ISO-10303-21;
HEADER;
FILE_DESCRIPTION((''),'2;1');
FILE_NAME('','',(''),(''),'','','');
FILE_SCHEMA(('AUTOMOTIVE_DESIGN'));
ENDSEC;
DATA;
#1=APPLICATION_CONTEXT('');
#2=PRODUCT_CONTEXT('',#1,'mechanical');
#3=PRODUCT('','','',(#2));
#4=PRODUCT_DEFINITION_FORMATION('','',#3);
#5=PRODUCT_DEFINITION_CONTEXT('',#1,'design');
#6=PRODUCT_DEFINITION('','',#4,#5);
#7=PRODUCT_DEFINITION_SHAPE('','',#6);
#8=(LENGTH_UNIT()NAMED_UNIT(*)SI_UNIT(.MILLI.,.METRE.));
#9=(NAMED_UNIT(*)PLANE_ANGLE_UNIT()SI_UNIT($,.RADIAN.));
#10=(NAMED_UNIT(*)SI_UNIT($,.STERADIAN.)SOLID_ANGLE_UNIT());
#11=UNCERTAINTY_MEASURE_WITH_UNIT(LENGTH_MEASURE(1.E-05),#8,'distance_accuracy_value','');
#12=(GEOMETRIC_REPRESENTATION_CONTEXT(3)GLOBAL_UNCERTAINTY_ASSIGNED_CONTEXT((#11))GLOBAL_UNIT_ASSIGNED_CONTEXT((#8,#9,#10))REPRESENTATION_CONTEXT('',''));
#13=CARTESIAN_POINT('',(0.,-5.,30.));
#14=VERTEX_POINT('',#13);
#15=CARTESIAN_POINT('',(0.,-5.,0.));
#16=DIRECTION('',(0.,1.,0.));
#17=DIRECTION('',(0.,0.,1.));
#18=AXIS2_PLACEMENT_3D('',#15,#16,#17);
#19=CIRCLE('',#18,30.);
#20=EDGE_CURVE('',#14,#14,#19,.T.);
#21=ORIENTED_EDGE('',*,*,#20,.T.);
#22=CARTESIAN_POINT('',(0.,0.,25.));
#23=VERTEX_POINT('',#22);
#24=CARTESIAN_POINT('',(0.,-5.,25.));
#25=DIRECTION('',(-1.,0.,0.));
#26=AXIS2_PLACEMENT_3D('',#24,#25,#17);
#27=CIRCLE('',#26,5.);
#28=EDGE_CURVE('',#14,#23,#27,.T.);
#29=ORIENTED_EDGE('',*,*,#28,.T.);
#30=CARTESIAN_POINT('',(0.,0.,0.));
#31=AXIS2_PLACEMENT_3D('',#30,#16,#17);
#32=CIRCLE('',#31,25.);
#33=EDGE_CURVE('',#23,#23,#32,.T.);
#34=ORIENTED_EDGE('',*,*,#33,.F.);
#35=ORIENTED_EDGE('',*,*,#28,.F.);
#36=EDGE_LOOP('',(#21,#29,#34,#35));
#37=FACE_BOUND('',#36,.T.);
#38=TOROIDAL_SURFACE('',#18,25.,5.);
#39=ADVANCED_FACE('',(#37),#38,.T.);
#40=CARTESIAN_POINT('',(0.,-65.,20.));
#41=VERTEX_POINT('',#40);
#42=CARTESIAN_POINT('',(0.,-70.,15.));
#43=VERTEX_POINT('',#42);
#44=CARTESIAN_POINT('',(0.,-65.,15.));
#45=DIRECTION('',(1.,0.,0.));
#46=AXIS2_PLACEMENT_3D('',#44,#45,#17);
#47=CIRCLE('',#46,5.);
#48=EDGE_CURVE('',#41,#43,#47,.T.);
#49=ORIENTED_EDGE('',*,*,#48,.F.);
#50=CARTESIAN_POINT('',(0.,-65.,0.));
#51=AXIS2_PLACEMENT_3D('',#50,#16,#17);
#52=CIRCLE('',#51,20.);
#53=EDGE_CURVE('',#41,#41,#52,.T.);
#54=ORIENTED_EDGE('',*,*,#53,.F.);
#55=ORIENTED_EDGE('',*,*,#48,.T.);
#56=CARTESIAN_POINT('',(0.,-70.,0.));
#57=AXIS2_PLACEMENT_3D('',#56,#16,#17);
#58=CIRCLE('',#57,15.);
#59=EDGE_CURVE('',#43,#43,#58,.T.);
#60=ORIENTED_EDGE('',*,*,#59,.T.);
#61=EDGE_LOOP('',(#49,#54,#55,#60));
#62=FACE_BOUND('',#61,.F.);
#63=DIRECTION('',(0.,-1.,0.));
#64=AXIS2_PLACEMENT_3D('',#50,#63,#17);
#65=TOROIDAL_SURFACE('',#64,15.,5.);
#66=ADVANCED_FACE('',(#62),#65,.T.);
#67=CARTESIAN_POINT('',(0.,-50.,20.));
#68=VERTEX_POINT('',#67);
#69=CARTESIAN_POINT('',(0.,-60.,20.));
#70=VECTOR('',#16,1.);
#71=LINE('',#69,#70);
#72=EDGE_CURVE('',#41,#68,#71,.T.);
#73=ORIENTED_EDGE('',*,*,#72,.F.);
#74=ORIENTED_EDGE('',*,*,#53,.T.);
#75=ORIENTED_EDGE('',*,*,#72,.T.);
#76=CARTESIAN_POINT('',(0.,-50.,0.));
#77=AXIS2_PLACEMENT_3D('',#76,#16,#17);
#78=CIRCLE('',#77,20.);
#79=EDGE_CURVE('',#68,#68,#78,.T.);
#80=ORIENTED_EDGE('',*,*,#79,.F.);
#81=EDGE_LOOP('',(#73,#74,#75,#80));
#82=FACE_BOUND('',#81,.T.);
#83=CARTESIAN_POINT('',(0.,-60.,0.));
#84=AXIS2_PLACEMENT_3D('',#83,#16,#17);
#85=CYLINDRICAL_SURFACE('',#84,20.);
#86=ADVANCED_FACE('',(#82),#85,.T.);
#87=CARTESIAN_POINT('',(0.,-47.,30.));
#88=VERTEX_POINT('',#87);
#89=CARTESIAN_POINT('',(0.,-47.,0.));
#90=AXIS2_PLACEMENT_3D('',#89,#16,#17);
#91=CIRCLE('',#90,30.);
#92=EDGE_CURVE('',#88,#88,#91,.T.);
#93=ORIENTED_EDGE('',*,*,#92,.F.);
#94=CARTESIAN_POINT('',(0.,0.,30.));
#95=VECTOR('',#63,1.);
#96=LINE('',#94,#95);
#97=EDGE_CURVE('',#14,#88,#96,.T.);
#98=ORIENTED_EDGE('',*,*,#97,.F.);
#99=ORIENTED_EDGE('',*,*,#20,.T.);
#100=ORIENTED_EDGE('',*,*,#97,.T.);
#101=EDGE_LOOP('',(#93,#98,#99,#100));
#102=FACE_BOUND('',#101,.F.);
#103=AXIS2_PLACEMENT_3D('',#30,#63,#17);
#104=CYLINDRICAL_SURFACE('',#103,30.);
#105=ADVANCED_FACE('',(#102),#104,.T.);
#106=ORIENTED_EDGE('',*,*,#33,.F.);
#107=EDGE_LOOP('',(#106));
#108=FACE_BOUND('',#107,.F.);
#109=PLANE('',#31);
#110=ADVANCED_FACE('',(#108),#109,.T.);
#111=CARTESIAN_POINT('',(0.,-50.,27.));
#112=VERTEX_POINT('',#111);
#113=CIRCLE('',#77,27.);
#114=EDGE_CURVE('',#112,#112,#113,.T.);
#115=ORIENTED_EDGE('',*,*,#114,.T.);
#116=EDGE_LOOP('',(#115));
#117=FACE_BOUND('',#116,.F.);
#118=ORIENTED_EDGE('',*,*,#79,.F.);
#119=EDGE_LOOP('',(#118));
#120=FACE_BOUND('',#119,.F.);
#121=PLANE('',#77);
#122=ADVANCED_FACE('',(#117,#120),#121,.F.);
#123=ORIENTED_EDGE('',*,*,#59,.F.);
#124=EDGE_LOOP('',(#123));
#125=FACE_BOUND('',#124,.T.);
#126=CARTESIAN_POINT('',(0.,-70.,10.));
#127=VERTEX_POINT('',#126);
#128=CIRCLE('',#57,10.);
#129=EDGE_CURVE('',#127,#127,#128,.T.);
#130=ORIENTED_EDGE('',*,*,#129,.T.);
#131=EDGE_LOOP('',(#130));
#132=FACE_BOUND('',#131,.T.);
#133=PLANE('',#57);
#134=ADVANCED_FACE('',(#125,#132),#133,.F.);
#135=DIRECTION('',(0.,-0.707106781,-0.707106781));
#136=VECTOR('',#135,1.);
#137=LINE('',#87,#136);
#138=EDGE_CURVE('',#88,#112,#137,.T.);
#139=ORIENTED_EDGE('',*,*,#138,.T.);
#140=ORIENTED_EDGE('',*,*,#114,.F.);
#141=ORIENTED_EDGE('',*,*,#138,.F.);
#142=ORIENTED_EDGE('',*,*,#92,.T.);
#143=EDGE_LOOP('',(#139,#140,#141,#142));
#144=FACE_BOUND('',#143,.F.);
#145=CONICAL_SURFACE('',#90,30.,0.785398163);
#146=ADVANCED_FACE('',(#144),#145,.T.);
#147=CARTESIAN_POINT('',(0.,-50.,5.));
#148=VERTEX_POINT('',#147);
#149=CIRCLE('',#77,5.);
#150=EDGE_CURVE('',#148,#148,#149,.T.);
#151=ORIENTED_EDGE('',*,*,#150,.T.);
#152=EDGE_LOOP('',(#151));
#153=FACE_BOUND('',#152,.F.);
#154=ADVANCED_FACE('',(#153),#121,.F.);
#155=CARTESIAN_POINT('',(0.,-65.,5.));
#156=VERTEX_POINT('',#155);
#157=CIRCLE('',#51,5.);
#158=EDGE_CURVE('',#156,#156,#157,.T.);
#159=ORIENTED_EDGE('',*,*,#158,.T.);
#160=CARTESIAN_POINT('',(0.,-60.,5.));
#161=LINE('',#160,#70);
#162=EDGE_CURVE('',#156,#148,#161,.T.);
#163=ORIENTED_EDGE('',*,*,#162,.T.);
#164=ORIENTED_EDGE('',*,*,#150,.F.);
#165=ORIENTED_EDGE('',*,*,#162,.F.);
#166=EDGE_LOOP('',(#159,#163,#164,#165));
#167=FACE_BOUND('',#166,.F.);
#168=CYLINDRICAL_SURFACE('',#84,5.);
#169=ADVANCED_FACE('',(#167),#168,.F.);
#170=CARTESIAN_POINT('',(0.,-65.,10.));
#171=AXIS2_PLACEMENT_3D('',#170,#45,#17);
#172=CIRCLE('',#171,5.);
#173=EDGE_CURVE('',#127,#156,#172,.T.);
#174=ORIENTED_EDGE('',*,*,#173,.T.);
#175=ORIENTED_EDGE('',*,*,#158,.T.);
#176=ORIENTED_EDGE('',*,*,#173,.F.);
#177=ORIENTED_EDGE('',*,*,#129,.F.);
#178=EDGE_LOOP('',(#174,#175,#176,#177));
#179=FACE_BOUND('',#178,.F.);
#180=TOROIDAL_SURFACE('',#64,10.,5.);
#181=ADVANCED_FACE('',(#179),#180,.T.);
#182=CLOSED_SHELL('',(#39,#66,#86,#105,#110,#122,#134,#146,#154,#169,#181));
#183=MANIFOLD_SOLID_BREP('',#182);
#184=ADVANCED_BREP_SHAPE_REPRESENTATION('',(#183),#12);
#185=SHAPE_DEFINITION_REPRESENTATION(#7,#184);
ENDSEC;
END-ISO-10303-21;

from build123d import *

# Parameters (mm, degrees)
F0_W    = 20
F0_H    = 15
F0_W_2  = 42.9629645813
F2_SIZE = 3
F3_R    = 5


with BuildPart() as f1:
    # F0 (on Right) → F1 (revolve)
    with BuildSketch(Plane.YZ):
        with Locations((-60, 12.5)):
            Rectangle(F0_W, F0_H)
        Polygon((0, 30), (-50, 30), (-50, 20), (-7.0370354187, 20), (-7.0370354187, 5), (-50, 5), (-50, 0), (0, 0), align=None)
        with Locations((-28.5185177093, 12.5)):
            Rectangle(F0_W_2, F0_H)
    revolve(axis=Axis((0, -25, 0), (0, 1, 0)))

    # F2
    f2_edges = [f1.edges().sort_by_distance(p)[0] for p in [
        (0, -50, -30),
    ]]
    chamfer(f2_edges, length=F2_SIZE)

    # F3
    f3_edges = [f1.edges().sort_by_distance(p)[0] for p in [
        (0, -70, -20),
        (0, -70, -5),
        (0, 0, -30),
    ]]
    fillet(f3_edges, radius=F3_R)


solid = f1.part
